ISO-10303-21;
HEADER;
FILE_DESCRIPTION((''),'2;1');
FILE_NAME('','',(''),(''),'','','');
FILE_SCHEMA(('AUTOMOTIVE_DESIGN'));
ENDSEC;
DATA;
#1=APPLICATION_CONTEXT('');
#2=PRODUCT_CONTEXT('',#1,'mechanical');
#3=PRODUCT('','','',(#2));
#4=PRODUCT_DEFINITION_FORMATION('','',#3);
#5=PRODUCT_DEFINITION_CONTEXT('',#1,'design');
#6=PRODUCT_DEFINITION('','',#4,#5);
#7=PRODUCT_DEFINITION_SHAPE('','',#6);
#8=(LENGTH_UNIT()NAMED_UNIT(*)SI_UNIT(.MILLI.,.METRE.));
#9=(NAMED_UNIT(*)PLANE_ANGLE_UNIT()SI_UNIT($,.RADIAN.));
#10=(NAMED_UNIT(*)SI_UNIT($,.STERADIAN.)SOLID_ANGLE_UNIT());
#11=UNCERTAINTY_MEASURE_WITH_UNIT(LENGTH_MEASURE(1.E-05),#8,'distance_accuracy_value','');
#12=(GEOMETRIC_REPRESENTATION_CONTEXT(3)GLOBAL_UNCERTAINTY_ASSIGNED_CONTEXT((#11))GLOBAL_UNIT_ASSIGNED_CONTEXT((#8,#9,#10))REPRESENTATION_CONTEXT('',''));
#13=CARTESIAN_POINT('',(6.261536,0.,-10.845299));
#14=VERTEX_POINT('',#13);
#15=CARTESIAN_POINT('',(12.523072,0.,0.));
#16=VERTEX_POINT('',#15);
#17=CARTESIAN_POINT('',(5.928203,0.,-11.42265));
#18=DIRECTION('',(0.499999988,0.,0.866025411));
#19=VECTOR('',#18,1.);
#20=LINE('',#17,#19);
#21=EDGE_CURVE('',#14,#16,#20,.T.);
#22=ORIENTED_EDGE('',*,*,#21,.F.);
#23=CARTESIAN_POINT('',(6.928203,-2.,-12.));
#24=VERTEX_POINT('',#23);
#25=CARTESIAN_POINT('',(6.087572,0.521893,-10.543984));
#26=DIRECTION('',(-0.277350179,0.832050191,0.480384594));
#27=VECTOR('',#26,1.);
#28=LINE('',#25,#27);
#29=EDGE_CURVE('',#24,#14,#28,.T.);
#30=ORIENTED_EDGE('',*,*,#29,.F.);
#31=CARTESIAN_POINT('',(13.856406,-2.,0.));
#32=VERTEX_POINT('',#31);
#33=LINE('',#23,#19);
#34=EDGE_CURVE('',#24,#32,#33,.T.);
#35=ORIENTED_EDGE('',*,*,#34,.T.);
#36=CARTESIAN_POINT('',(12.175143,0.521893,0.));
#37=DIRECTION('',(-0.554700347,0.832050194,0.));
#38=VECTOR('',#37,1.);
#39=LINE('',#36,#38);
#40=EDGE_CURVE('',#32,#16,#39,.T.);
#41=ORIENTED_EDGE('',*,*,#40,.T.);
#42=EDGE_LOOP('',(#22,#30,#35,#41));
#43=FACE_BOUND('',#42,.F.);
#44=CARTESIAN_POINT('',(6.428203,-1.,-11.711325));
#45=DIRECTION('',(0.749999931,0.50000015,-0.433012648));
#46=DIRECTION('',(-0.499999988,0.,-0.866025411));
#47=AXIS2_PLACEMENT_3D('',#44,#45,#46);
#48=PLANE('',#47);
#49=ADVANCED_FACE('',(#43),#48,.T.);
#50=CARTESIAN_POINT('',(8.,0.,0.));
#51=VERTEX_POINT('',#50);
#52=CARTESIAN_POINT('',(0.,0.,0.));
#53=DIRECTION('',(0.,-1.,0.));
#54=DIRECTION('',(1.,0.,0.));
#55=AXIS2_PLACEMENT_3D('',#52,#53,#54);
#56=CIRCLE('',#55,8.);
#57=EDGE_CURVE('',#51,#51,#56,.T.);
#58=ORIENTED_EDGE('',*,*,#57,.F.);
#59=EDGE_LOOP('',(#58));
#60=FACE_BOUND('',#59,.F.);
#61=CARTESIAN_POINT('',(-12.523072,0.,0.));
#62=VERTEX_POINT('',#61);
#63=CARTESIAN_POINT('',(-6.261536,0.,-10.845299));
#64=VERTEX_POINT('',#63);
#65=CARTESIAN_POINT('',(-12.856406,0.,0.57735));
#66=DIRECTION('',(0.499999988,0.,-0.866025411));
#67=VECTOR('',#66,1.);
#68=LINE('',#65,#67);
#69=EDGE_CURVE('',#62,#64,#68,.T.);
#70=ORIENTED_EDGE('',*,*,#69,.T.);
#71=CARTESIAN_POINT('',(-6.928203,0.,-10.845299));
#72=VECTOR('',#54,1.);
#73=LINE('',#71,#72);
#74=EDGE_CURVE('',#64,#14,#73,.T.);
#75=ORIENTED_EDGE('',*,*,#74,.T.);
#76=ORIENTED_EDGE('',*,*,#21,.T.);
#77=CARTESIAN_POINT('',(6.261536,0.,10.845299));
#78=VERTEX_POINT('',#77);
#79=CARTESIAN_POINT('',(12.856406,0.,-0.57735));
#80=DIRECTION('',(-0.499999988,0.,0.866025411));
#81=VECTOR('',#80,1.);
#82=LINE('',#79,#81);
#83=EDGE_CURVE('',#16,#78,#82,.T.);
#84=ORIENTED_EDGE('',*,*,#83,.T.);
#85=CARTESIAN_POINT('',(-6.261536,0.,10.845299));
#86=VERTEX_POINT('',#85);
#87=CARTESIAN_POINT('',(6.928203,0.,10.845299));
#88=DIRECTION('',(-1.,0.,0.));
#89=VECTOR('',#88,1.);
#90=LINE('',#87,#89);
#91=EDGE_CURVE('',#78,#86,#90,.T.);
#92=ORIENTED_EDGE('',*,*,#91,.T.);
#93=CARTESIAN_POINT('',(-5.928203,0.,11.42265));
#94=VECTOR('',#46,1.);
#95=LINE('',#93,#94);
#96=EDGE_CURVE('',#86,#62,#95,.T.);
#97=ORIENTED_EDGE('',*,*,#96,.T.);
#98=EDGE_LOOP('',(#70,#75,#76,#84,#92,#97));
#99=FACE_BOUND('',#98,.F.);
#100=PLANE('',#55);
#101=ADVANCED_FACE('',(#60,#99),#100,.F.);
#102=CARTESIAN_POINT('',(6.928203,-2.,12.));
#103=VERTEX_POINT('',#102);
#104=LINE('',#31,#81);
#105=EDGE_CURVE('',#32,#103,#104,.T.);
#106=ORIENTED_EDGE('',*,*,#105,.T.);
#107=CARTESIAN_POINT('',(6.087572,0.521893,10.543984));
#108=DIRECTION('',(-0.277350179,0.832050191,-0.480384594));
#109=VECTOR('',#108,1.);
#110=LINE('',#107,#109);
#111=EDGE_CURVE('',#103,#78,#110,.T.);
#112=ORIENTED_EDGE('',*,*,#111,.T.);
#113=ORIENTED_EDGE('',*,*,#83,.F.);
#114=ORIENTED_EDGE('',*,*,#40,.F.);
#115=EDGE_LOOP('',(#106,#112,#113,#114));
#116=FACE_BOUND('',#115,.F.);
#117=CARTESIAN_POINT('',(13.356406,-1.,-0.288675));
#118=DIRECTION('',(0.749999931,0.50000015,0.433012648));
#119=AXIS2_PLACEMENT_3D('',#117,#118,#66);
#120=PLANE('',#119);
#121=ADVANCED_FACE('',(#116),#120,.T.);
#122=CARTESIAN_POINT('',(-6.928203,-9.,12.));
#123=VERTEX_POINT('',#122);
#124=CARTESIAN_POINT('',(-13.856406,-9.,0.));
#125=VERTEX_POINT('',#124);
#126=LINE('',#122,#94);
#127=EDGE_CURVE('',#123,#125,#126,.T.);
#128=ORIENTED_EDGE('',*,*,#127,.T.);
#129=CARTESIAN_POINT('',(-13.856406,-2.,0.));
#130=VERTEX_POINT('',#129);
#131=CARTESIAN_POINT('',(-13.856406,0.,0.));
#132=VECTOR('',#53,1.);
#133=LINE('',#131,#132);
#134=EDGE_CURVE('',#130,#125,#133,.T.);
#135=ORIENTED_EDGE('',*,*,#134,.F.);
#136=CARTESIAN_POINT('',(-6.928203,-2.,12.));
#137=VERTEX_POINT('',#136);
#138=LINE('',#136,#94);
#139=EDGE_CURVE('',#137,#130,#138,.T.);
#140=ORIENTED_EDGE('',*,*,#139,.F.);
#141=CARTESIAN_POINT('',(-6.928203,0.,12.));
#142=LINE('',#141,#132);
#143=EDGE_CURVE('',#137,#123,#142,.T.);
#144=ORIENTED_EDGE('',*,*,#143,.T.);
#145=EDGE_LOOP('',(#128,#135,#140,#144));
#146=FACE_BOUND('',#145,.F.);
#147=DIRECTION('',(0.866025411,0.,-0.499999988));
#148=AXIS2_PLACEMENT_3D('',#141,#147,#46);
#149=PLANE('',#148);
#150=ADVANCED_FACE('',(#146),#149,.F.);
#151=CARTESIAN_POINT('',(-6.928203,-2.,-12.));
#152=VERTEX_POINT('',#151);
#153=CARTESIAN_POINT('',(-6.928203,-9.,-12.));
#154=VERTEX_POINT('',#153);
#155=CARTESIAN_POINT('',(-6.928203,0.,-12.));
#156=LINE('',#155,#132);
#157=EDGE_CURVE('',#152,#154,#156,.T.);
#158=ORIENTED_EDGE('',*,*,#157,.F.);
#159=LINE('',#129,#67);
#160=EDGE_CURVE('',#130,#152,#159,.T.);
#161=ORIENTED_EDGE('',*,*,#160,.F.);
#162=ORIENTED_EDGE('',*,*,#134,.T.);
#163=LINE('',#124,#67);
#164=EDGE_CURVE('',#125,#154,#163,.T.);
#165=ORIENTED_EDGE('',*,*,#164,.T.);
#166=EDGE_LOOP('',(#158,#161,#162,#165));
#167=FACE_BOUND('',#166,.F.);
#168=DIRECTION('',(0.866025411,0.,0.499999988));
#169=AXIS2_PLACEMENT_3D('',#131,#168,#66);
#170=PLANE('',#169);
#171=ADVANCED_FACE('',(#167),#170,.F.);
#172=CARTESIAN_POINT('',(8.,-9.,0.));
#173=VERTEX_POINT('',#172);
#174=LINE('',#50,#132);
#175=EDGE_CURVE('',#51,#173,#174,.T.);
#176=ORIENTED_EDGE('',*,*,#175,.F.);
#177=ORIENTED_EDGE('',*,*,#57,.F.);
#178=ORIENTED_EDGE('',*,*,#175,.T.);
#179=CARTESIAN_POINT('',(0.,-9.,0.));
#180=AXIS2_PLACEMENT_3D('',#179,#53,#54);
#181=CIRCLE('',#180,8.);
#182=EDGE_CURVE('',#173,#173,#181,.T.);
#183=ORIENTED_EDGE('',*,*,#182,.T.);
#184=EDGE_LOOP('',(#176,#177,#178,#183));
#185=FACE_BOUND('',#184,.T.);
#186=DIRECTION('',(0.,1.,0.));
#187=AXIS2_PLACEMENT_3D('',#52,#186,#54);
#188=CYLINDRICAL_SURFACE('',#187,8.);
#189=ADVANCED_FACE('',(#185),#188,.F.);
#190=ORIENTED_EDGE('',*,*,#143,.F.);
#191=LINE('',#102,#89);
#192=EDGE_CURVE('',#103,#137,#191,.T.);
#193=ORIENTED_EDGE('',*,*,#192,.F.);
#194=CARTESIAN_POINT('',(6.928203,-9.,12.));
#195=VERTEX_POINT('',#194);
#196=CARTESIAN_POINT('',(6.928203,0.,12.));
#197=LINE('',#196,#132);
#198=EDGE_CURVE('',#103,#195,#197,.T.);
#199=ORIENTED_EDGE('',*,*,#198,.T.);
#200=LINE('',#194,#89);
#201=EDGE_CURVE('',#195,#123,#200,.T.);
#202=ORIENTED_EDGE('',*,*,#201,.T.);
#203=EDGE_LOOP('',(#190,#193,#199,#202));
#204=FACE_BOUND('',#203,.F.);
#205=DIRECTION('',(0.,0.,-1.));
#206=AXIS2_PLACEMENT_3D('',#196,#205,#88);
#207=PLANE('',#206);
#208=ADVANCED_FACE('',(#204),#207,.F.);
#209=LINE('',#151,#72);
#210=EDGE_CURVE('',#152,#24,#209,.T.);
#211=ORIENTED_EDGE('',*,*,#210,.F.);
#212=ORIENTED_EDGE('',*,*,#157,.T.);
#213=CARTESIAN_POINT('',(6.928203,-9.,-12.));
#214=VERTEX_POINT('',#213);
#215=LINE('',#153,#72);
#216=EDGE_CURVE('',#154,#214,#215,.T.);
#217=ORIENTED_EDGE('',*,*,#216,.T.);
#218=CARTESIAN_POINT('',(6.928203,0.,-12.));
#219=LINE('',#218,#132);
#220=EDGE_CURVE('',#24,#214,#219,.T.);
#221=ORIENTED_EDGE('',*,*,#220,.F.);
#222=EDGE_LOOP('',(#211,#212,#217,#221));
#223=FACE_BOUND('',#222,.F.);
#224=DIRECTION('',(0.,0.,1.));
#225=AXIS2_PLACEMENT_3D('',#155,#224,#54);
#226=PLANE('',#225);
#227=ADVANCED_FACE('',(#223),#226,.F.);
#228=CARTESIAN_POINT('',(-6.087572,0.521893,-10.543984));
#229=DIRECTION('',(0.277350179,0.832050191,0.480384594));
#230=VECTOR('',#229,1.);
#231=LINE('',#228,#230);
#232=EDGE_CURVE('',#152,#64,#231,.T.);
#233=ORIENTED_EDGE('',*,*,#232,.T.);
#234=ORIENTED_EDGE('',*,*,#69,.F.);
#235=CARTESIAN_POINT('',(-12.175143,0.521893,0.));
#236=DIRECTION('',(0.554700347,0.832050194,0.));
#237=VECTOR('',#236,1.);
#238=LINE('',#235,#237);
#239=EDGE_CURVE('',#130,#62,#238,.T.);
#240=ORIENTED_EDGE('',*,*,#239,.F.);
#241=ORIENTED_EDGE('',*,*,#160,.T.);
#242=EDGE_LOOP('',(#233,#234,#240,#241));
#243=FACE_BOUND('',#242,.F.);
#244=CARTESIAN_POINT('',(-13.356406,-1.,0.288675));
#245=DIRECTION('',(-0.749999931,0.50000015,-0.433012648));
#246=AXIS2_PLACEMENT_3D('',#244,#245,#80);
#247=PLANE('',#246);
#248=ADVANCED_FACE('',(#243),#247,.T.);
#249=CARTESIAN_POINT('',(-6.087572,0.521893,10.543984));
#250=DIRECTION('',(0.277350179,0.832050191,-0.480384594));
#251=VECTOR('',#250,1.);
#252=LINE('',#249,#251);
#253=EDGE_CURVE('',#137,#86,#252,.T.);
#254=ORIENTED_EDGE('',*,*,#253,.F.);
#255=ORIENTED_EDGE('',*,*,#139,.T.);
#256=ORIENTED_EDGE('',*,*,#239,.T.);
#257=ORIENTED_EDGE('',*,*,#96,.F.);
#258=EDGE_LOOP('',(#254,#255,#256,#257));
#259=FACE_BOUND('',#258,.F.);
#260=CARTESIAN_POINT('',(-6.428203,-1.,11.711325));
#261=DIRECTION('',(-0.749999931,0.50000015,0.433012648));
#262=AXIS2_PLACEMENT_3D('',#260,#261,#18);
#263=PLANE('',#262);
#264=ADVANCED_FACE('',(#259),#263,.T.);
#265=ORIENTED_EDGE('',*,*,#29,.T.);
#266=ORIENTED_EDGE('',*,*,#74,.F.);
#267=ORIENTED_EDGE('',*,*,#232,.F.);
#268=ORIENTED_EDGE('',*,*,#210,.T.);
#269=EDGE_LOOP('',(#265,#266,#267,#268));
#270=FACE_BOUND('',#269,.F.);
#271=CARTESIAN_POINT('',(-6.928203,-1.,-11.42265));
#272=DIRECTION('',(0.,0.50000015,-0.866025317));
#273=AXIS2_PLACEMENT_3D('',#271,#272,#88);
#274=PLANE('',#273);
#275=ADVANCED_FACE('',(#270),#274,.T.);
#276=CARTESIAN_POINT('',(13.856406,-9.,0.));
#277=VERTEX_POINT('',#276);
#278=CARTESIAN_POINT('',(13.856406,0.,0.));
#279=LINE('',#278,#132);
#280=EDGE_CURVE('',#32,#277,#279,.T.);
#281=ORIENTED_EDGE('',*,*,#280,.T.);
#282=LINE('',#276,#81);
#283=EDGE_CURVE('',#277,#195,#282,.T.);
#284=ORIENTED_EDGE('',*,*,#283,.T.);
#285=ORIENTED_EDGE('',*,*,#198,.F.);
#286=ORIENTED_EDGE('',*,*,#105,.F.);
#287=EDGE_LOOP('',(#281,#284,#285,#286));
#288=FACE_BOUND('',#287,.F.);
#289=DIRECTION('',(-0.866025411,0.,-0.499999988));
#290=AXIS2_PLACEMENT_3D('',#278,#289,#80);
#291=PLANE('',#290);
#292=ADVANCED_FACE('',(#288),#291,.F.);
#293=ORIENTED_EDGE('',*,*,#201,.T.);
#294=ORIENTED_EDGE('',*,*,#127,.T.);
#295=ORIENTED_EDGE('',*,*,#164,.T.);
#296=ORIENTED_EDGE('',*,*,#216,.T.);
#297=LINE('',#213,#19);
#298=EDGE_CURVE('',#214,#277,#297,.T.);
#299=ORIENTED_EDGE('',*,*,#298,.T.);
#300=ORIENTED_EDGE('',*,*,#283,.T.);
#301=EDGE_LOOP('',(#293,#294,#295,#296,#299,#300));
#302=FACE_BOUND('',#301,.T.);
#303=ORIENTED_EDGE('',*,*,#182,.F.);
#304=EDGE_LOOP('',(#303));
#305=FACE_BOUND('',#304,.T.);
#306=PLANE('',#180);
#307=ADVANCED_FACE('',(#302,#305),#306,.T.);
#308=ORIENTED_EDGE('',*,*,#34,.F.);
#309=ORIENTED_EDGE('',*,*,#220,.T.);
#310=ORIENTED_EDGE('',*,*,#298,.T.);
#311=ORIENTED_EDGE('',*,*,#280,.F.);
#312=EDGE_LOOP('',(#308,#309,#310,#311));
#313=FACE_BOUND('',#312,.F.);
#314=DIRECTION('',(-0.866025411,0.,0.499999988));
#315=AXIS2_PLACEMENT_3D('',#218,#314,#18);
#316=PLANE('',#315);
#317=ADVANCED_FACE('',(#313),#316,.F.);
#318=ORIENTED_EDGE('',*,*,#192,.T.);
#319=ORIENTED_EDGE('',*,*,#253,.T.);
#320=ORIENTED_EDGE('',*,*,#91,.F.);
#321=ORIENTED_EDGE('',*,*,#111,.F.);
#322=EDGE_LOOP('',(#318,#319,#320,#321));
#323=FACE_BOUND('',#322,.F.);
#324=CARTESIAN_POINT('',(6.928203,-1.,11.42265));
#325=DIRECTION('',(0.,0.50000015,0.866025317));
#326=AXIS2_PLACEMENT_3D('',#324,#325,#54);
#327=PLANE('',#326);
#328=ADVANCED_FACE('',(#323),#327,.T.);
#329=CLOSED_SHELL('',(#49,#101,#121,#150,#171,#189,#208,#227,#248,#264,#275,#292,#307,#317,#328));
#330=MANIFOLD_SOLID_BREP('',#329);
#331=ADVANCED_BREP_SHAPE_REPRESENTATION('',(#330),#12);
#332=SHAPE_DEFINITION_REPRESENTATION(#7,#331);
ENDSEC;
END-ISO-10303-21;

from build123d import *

# Parameters (mm, degrees)
F0_R     = 8
F1_DEPTH = 9
F2_SIZE2 = 1.154701
F2_SIZE  = 2


with BuildPart() as f1:
    # F0 (on Front) → F1 (new body)
    with BuildSketch(Plane.XZ):
        Polygon((6.928203, 12), (-6.928203, 12), (-13.856406, 0), (-6.928203, -12), (6.928203, -12), (13.856406, 0), align=None)
        Circle(F0_R, mode=Mode.SUBTRACT)
    extrude(amount=F1_DEPTH)

    # F2
    f2_edges = [f1.edges().sort_by_distance(p)[0] for p in [
        (-10.392305, 0, 6),
        (-10.392305, 0, -6),
        (0, 0, 12),
        (10.392305, 0, 6),
        (10.392305, 0, -6),
        (0, 0, -12),
    ]]
    chamfer(f2_edges, length=F2_SIZE, length2=F2_SIZE2)


solid = f1.part
